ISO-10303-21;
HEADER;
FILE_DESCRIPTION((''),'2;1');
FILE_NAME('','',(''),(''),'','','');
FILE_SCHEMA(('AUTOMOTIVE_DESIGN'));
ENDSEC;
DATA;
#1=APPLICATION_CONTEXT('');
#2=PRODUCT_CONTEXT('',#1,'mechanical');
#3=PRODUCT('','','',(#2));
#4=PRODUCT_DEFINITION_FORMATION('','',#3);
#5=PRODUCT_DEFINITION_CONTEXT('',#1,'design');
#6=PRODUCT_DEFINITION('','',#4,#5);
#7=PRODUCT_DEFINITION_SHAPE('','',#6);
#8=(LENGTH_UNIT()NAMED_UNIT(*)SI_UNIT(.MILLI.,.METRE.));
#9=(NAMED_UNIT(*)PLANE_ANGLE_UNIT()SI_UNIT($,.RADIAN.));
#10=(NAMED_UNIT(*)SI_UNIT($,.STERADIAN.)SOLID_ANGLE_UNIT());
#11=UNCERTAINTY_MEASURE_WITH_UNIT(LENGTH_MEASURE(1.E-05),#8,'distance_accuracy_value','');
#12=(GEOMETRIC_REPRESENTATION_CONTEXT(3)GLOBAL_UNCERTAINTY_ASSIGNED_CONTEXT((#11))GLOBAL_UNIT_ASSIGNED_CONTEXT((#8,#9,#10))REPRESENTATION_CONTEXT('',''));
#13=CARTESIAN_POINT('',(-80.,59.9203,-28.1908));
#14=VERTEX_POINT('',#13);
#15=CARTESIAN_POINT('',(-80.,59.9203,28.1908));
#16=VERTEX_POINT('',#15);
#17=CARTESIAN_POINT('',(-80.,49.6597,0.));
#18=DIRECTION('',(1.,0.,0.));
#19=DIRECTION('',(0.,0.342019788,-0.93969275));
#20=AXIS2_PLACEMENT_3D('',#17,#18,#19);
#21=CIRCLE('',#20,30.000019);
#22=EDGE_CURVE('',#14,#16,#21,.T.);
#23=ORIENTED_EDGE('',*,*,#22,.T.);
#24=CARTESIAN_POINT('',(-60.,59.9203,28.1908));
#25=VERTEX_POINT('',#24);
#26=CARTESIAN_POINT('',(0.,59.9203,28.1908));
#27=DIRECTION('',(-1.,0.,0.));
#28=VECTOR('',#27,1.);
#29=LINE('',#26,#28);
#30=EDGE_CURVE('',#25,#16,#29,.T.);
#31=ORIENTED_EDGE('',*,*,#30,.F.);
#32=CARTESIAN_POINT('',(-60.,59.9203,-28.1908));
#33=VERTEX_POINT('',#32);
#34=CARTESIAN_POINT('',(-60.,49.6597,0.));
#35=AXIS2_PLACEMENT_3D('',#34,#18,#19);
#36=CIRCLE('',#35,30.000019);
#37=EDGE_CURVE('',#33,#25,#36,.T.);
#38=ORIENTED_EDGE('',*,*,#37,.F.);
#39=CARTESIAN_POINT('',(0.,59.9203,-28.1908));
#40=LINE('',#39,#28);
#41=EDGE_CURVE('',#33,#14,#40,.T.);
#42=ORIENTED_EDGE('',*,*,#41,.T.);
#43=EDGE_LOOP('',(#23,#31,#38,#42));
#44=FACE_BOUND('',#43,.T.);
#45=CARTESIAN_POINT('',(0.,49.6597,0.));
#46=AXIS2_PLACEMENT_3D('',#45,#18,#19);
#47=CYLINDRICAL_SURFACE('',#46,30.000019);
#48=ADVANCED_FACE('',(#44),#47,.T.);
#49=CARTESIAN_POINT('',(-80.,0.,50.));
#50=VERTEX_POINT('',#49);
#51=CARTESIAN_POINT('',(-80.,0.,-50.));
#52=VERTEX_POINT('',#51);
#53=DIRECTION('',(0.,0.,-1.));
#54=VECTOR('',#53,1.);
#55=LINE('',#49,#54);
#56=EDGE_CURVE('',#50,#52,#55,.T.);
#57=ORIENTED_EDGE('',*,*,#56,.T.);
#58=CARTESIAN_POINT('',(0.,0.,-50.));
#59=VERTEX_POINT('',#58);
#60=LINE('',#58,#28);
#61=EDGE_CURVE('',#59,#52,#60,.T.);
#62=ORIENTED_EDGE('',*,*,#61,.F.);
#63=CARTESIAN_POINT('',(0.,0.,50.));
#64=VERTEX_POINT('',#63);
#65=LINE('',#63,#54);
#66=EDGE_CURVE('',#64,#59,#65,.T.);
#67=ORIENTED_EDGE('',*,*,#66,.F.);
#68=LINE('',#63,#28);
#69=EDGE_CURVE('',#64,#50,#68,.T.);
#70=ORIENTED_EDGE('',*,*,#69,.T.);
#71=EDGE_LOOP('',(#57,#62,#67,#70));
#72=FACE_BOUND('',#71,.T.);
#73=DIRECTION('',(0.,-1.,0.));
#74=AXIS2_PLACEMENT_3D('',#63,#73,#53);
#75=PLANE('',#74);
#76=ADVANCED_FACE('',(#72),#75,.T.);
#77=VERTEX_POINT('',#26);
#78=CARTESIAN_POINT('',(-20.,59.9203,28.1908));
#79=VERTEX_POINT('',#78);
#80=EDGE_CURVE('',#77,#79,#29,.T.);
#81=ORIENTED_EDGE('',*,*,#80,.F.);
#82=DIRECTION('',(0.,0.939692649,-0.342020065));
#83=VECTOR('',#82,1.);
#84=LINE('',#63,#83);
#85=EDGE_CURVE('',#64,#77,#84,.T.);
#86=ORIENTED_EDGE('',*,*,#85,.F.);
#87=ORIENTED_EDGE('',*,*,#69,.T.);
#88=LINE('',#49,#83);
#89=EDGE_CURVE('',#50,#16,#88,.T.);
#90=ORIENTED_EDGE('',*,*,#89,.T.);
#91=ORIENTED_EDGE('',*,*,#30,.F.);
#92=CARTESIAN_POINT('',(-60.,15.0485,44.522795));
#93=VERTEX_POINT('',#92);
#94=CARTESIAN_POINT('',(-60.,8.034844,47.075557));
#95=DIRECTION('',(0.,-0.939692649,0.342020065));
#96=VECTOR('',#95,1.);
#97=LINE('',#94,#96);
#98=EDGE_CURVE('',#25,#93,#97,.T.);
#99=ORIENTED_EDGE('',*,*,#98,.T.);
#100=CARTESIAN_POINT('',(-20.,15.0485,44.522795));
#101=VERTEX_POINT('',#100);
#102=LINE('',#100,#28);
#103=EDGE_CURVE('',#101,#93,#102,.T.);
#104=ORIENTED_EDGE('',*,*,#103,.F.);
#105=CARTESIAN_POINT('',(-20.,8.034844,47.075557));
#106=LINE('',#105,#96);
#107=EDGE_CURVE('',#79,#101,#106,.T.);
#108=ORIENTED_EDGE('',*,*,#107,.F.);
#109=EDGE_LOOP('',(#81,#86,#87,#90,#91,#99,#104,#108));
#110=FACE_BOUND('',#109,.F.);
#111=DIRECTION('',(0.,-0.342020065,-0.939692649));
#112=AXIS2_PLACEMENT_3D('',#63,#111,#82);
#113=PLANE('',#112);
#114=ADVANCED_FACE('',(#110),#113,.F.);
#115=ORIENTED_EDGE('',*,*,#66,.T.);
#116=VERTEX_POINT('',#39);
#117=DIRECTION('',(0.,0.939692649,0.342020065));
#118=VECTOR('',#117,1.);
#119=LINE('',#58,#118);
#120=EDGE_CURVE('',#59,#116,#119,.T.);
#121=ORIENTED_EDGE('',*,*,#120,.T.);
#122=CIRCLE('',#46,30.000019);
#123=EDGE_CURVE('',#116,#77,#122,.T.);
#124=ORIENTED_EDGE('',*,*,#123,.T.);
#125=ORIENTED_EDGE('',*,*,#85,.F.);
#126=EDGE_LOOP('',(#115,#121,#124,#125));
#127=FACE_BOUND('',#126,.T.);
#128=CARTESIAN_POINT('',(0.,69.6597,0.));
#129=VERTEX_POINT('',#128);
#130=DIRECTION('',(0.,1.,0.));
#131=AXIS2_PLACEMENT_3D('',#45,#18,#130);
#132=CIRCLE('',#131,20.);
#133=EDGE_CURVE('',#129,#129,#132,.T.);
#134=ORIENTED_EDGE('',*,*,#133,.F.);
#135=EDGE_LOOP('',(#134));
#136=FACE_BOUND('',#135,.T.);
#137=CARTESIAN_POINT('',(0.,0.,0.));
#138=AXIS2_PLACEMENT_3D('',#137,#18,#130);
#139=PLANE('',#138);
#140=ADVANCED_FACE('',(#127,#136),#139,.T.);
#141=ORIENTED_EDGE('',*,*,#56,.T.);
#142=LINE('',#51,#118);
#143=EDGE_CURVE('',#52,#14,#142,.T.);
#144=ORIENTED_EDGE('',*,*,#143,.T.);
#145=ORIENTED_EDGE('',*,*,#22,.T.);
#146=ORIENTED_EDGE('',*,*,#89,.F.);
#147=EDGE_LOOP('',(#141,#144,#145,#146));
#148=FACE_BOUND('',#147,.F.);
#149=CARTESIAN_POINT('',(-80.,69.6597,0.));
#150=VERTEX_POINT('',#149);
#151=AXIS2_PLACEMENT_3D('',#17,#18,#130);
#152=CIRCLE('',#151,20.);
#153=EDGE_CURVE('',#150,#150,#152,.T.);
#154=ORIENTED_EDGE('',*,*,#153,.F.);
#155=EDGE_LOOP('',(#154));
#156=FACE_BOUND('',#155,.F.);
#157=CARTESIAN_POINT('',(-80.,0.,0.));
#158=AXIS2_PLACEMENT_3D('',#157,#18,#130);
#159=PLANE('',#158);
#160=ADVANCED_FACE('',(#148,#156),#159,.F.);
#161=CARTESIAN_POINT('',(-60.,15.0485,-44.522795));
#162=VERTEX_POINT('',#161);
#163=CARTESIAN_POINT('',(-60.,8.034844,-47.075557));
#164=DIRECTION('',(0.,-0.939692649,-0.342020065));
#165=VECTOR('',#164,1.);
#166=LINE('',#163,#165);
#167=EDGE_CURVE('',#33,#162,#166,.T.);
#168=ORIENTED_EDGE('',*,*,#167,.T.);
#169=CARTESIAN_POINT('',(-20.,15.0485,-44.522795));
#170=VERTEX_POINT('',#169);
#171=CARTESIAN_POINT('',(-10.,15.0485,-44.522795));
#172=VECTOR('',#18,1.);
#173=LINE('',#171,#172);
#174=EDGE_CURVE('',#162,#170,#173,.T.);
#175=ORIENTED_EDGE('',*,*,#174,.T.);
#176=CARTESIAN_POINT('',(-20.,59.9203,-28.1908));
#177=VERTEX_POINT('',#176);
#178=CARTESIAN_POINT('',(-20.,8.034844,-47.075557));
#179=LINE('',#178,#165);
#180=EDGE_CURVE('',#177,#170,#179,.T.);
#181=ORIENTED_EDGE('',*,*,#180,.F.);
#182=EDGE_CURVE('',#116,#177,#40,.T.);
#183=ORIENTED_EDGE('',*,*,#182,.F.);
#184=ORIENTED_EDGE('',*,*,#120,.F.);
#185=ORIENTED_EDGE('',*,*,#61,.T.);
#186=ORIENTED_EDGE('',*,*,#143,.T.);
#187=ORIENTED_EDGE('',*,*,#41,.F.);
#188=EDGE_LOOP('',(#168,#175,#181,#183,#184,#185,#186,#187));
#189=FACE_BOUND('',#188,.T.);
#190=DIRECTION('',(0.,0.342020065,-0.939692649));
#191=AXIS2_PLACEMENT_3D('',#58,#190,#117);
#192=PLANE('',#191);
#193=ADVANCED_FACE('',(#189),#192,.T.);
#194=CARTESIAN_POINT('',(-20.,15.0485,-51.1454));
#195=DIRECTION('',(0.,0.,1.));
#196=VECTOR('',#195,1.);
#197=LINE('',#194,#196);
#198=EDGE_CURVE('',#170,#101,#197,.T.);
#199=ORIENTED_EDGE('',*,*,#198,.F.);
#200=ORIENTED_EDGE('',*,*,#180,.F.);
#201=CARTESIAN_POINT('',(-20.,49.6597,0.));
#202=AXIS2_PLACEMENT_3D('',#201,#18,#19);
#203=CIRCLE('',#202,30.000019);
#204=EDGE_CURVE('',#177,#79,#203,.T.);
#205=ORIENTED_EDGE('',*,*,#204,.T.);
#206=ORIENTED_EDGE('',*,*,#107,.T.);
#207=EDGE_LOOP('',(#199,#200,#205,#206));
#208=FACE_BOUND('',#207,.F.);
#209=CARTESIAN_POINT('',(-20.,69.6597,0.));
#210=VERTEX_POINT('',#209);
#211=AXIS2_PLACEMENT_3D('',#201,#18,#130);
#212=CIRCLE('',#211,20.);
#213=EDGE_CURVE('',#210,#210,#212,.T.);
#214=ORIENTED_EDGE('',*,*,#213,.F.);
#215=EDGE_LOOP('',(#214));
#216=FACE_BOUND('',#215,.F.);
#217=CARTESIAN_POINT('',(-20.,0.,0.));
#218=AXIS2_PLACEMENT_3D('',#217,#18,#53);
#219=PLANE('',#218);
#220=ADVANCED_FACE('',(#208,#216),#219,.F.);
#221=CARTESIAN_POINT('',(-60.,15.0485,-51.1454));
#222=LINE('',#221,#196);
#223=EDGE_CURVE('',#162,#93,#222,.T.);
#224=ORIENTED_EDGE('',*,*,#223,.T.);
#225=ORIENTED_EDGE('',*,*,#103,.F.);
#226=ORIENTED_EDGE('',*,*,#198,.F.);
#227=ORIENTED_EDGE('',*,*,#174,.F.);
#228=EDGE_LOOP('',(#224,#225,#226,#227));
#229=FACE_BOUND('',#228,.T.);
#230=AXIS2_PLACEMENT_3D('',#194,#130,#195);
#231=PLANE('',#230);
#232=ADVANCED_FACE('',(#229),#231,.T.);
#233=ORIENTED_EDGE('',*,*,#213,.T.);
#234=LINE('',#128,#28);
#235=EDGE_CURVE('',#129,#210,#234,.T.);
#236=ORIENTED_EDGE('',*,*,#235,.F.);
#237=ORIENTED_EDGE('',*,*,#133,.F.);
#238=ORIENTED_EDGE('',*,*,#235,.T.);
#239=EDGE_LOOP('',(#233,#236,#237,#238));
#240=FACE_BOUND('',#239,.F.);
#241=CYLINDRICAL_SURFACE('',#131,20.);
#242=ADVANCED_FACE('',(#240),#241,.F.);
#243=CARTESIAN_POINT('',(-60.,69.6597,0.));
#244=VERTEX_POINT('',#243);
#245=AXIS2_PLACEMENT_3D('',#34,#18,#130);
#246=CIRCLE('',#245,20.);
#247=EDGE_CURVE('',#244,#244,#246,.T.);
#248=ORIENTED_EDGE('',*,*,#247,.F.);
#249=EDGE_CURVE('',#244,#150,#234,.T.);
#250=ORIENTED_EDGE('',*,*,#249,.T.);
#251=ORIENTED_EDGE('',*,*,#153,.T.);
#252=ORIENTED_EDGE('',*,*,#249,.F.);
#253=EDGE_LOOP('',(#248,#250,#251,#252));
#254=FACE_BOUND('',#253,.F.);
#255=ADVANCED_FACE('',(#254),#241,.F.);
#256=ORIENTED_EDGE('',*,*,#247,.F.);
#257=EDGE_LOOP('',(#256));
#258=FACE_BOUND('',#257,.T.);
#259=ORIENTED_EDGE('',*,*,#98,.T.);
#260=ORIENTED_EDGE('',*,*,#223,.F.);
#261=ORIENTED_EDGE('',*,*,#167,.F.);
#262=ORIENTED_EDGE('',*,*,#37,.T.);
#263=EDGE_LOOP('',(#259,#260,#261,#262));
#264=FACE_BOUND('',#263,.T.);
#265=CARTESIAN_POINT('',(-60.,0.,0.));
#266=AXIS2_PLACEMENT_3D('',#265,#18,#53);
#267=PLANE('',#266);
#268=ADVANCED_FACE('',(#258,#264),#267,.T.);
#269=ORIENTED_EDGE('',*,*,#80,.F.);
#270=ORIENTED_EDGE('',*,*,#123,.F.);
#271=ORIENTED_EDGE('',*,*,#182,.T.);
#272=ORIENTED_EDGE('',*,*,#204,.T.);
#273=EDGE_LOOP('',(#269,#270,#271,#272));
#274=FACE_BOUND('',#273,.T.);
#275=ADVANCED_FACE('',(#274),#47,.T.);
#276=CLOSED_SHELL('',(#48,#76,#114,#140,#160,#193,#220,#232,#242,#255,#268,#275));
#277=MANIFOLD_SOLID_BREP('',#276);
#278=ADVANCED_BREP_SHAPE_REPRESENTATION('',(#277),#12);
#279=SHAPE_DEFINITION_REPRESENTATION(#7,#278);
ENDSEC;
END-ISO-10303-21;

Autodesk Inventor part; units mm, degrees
ref_plane "YZ Plane" through (0, 0, 0) normal (1, 0, 0) x (0, 1, 0)
ref_plane "XZ Plane" through (0, 0, 0) normal (0, 1, 0) x (-1, 0, 0)
ref_plane "XY Plane" through (0, 0, 0) normal (0, 0, 1) x (1, 0, 0)
sketch "Sketch1" plane through (0, 0, 0) normal (1, 0, 0) x (0, 1, 0)
  line L0 (0, 50) -> (0, -50)
  line L1 (0, -50) -> (59.9203, -28.1908)
  line L2 (0, 50) -> (59.9203, 28.1908)
  circle A0 centre (49.6597, 0) radius 20
  arc A1 (59.9203, -28.1908) -> (59.9203, 28.1908) centre (49.6597, 0) ccw
  point P0 (0, 0)
  dimension "d0" = 100
  dimension "d1" = 50
  dimension "d2" = 40
  dimension "d3" = 60
  dimension "d5" = 70
  dimension "d6" = 70
extrude "Extrusion1" add sketch "Sketch1" against normal blind 80
ref_plane "Work Plane1" through (-20, 0, 0) normal (1, 0, 0) x (0, 0, -1)
sketch "Sketch2" plane through (-20, 0, 0) normal (1, 0, 0) x (0, 0, -1)
  line L0 (-50, 0) -> (-28.1908, 59.9203) projected
  line L1 (50, 0) -> (-50, 0) projected
  line L2 (-50, 0) -> (50, 0)
  arc A0 (28.1908, 59.9203) -> (-28.1908, 59.9203) centre (0, 49.6597) ccw projected
  line L3 (-57.2418, 112.7643) -> (51.1454, 112.7643)
  line L4 (51.1454, 112.7643) -> (51.1454, 15.0485)
  line L5 (51.1454, 15.0485) -> (-57.2418, 15.0485)
  line L6 (-57.2418, 15.0485) -> (-57.2418, 112.7643)
  point P0 (0, 0)
extrude "Extrusion2" cut sketch "Sketch2" against normal blind 40
properties part number "stick"
